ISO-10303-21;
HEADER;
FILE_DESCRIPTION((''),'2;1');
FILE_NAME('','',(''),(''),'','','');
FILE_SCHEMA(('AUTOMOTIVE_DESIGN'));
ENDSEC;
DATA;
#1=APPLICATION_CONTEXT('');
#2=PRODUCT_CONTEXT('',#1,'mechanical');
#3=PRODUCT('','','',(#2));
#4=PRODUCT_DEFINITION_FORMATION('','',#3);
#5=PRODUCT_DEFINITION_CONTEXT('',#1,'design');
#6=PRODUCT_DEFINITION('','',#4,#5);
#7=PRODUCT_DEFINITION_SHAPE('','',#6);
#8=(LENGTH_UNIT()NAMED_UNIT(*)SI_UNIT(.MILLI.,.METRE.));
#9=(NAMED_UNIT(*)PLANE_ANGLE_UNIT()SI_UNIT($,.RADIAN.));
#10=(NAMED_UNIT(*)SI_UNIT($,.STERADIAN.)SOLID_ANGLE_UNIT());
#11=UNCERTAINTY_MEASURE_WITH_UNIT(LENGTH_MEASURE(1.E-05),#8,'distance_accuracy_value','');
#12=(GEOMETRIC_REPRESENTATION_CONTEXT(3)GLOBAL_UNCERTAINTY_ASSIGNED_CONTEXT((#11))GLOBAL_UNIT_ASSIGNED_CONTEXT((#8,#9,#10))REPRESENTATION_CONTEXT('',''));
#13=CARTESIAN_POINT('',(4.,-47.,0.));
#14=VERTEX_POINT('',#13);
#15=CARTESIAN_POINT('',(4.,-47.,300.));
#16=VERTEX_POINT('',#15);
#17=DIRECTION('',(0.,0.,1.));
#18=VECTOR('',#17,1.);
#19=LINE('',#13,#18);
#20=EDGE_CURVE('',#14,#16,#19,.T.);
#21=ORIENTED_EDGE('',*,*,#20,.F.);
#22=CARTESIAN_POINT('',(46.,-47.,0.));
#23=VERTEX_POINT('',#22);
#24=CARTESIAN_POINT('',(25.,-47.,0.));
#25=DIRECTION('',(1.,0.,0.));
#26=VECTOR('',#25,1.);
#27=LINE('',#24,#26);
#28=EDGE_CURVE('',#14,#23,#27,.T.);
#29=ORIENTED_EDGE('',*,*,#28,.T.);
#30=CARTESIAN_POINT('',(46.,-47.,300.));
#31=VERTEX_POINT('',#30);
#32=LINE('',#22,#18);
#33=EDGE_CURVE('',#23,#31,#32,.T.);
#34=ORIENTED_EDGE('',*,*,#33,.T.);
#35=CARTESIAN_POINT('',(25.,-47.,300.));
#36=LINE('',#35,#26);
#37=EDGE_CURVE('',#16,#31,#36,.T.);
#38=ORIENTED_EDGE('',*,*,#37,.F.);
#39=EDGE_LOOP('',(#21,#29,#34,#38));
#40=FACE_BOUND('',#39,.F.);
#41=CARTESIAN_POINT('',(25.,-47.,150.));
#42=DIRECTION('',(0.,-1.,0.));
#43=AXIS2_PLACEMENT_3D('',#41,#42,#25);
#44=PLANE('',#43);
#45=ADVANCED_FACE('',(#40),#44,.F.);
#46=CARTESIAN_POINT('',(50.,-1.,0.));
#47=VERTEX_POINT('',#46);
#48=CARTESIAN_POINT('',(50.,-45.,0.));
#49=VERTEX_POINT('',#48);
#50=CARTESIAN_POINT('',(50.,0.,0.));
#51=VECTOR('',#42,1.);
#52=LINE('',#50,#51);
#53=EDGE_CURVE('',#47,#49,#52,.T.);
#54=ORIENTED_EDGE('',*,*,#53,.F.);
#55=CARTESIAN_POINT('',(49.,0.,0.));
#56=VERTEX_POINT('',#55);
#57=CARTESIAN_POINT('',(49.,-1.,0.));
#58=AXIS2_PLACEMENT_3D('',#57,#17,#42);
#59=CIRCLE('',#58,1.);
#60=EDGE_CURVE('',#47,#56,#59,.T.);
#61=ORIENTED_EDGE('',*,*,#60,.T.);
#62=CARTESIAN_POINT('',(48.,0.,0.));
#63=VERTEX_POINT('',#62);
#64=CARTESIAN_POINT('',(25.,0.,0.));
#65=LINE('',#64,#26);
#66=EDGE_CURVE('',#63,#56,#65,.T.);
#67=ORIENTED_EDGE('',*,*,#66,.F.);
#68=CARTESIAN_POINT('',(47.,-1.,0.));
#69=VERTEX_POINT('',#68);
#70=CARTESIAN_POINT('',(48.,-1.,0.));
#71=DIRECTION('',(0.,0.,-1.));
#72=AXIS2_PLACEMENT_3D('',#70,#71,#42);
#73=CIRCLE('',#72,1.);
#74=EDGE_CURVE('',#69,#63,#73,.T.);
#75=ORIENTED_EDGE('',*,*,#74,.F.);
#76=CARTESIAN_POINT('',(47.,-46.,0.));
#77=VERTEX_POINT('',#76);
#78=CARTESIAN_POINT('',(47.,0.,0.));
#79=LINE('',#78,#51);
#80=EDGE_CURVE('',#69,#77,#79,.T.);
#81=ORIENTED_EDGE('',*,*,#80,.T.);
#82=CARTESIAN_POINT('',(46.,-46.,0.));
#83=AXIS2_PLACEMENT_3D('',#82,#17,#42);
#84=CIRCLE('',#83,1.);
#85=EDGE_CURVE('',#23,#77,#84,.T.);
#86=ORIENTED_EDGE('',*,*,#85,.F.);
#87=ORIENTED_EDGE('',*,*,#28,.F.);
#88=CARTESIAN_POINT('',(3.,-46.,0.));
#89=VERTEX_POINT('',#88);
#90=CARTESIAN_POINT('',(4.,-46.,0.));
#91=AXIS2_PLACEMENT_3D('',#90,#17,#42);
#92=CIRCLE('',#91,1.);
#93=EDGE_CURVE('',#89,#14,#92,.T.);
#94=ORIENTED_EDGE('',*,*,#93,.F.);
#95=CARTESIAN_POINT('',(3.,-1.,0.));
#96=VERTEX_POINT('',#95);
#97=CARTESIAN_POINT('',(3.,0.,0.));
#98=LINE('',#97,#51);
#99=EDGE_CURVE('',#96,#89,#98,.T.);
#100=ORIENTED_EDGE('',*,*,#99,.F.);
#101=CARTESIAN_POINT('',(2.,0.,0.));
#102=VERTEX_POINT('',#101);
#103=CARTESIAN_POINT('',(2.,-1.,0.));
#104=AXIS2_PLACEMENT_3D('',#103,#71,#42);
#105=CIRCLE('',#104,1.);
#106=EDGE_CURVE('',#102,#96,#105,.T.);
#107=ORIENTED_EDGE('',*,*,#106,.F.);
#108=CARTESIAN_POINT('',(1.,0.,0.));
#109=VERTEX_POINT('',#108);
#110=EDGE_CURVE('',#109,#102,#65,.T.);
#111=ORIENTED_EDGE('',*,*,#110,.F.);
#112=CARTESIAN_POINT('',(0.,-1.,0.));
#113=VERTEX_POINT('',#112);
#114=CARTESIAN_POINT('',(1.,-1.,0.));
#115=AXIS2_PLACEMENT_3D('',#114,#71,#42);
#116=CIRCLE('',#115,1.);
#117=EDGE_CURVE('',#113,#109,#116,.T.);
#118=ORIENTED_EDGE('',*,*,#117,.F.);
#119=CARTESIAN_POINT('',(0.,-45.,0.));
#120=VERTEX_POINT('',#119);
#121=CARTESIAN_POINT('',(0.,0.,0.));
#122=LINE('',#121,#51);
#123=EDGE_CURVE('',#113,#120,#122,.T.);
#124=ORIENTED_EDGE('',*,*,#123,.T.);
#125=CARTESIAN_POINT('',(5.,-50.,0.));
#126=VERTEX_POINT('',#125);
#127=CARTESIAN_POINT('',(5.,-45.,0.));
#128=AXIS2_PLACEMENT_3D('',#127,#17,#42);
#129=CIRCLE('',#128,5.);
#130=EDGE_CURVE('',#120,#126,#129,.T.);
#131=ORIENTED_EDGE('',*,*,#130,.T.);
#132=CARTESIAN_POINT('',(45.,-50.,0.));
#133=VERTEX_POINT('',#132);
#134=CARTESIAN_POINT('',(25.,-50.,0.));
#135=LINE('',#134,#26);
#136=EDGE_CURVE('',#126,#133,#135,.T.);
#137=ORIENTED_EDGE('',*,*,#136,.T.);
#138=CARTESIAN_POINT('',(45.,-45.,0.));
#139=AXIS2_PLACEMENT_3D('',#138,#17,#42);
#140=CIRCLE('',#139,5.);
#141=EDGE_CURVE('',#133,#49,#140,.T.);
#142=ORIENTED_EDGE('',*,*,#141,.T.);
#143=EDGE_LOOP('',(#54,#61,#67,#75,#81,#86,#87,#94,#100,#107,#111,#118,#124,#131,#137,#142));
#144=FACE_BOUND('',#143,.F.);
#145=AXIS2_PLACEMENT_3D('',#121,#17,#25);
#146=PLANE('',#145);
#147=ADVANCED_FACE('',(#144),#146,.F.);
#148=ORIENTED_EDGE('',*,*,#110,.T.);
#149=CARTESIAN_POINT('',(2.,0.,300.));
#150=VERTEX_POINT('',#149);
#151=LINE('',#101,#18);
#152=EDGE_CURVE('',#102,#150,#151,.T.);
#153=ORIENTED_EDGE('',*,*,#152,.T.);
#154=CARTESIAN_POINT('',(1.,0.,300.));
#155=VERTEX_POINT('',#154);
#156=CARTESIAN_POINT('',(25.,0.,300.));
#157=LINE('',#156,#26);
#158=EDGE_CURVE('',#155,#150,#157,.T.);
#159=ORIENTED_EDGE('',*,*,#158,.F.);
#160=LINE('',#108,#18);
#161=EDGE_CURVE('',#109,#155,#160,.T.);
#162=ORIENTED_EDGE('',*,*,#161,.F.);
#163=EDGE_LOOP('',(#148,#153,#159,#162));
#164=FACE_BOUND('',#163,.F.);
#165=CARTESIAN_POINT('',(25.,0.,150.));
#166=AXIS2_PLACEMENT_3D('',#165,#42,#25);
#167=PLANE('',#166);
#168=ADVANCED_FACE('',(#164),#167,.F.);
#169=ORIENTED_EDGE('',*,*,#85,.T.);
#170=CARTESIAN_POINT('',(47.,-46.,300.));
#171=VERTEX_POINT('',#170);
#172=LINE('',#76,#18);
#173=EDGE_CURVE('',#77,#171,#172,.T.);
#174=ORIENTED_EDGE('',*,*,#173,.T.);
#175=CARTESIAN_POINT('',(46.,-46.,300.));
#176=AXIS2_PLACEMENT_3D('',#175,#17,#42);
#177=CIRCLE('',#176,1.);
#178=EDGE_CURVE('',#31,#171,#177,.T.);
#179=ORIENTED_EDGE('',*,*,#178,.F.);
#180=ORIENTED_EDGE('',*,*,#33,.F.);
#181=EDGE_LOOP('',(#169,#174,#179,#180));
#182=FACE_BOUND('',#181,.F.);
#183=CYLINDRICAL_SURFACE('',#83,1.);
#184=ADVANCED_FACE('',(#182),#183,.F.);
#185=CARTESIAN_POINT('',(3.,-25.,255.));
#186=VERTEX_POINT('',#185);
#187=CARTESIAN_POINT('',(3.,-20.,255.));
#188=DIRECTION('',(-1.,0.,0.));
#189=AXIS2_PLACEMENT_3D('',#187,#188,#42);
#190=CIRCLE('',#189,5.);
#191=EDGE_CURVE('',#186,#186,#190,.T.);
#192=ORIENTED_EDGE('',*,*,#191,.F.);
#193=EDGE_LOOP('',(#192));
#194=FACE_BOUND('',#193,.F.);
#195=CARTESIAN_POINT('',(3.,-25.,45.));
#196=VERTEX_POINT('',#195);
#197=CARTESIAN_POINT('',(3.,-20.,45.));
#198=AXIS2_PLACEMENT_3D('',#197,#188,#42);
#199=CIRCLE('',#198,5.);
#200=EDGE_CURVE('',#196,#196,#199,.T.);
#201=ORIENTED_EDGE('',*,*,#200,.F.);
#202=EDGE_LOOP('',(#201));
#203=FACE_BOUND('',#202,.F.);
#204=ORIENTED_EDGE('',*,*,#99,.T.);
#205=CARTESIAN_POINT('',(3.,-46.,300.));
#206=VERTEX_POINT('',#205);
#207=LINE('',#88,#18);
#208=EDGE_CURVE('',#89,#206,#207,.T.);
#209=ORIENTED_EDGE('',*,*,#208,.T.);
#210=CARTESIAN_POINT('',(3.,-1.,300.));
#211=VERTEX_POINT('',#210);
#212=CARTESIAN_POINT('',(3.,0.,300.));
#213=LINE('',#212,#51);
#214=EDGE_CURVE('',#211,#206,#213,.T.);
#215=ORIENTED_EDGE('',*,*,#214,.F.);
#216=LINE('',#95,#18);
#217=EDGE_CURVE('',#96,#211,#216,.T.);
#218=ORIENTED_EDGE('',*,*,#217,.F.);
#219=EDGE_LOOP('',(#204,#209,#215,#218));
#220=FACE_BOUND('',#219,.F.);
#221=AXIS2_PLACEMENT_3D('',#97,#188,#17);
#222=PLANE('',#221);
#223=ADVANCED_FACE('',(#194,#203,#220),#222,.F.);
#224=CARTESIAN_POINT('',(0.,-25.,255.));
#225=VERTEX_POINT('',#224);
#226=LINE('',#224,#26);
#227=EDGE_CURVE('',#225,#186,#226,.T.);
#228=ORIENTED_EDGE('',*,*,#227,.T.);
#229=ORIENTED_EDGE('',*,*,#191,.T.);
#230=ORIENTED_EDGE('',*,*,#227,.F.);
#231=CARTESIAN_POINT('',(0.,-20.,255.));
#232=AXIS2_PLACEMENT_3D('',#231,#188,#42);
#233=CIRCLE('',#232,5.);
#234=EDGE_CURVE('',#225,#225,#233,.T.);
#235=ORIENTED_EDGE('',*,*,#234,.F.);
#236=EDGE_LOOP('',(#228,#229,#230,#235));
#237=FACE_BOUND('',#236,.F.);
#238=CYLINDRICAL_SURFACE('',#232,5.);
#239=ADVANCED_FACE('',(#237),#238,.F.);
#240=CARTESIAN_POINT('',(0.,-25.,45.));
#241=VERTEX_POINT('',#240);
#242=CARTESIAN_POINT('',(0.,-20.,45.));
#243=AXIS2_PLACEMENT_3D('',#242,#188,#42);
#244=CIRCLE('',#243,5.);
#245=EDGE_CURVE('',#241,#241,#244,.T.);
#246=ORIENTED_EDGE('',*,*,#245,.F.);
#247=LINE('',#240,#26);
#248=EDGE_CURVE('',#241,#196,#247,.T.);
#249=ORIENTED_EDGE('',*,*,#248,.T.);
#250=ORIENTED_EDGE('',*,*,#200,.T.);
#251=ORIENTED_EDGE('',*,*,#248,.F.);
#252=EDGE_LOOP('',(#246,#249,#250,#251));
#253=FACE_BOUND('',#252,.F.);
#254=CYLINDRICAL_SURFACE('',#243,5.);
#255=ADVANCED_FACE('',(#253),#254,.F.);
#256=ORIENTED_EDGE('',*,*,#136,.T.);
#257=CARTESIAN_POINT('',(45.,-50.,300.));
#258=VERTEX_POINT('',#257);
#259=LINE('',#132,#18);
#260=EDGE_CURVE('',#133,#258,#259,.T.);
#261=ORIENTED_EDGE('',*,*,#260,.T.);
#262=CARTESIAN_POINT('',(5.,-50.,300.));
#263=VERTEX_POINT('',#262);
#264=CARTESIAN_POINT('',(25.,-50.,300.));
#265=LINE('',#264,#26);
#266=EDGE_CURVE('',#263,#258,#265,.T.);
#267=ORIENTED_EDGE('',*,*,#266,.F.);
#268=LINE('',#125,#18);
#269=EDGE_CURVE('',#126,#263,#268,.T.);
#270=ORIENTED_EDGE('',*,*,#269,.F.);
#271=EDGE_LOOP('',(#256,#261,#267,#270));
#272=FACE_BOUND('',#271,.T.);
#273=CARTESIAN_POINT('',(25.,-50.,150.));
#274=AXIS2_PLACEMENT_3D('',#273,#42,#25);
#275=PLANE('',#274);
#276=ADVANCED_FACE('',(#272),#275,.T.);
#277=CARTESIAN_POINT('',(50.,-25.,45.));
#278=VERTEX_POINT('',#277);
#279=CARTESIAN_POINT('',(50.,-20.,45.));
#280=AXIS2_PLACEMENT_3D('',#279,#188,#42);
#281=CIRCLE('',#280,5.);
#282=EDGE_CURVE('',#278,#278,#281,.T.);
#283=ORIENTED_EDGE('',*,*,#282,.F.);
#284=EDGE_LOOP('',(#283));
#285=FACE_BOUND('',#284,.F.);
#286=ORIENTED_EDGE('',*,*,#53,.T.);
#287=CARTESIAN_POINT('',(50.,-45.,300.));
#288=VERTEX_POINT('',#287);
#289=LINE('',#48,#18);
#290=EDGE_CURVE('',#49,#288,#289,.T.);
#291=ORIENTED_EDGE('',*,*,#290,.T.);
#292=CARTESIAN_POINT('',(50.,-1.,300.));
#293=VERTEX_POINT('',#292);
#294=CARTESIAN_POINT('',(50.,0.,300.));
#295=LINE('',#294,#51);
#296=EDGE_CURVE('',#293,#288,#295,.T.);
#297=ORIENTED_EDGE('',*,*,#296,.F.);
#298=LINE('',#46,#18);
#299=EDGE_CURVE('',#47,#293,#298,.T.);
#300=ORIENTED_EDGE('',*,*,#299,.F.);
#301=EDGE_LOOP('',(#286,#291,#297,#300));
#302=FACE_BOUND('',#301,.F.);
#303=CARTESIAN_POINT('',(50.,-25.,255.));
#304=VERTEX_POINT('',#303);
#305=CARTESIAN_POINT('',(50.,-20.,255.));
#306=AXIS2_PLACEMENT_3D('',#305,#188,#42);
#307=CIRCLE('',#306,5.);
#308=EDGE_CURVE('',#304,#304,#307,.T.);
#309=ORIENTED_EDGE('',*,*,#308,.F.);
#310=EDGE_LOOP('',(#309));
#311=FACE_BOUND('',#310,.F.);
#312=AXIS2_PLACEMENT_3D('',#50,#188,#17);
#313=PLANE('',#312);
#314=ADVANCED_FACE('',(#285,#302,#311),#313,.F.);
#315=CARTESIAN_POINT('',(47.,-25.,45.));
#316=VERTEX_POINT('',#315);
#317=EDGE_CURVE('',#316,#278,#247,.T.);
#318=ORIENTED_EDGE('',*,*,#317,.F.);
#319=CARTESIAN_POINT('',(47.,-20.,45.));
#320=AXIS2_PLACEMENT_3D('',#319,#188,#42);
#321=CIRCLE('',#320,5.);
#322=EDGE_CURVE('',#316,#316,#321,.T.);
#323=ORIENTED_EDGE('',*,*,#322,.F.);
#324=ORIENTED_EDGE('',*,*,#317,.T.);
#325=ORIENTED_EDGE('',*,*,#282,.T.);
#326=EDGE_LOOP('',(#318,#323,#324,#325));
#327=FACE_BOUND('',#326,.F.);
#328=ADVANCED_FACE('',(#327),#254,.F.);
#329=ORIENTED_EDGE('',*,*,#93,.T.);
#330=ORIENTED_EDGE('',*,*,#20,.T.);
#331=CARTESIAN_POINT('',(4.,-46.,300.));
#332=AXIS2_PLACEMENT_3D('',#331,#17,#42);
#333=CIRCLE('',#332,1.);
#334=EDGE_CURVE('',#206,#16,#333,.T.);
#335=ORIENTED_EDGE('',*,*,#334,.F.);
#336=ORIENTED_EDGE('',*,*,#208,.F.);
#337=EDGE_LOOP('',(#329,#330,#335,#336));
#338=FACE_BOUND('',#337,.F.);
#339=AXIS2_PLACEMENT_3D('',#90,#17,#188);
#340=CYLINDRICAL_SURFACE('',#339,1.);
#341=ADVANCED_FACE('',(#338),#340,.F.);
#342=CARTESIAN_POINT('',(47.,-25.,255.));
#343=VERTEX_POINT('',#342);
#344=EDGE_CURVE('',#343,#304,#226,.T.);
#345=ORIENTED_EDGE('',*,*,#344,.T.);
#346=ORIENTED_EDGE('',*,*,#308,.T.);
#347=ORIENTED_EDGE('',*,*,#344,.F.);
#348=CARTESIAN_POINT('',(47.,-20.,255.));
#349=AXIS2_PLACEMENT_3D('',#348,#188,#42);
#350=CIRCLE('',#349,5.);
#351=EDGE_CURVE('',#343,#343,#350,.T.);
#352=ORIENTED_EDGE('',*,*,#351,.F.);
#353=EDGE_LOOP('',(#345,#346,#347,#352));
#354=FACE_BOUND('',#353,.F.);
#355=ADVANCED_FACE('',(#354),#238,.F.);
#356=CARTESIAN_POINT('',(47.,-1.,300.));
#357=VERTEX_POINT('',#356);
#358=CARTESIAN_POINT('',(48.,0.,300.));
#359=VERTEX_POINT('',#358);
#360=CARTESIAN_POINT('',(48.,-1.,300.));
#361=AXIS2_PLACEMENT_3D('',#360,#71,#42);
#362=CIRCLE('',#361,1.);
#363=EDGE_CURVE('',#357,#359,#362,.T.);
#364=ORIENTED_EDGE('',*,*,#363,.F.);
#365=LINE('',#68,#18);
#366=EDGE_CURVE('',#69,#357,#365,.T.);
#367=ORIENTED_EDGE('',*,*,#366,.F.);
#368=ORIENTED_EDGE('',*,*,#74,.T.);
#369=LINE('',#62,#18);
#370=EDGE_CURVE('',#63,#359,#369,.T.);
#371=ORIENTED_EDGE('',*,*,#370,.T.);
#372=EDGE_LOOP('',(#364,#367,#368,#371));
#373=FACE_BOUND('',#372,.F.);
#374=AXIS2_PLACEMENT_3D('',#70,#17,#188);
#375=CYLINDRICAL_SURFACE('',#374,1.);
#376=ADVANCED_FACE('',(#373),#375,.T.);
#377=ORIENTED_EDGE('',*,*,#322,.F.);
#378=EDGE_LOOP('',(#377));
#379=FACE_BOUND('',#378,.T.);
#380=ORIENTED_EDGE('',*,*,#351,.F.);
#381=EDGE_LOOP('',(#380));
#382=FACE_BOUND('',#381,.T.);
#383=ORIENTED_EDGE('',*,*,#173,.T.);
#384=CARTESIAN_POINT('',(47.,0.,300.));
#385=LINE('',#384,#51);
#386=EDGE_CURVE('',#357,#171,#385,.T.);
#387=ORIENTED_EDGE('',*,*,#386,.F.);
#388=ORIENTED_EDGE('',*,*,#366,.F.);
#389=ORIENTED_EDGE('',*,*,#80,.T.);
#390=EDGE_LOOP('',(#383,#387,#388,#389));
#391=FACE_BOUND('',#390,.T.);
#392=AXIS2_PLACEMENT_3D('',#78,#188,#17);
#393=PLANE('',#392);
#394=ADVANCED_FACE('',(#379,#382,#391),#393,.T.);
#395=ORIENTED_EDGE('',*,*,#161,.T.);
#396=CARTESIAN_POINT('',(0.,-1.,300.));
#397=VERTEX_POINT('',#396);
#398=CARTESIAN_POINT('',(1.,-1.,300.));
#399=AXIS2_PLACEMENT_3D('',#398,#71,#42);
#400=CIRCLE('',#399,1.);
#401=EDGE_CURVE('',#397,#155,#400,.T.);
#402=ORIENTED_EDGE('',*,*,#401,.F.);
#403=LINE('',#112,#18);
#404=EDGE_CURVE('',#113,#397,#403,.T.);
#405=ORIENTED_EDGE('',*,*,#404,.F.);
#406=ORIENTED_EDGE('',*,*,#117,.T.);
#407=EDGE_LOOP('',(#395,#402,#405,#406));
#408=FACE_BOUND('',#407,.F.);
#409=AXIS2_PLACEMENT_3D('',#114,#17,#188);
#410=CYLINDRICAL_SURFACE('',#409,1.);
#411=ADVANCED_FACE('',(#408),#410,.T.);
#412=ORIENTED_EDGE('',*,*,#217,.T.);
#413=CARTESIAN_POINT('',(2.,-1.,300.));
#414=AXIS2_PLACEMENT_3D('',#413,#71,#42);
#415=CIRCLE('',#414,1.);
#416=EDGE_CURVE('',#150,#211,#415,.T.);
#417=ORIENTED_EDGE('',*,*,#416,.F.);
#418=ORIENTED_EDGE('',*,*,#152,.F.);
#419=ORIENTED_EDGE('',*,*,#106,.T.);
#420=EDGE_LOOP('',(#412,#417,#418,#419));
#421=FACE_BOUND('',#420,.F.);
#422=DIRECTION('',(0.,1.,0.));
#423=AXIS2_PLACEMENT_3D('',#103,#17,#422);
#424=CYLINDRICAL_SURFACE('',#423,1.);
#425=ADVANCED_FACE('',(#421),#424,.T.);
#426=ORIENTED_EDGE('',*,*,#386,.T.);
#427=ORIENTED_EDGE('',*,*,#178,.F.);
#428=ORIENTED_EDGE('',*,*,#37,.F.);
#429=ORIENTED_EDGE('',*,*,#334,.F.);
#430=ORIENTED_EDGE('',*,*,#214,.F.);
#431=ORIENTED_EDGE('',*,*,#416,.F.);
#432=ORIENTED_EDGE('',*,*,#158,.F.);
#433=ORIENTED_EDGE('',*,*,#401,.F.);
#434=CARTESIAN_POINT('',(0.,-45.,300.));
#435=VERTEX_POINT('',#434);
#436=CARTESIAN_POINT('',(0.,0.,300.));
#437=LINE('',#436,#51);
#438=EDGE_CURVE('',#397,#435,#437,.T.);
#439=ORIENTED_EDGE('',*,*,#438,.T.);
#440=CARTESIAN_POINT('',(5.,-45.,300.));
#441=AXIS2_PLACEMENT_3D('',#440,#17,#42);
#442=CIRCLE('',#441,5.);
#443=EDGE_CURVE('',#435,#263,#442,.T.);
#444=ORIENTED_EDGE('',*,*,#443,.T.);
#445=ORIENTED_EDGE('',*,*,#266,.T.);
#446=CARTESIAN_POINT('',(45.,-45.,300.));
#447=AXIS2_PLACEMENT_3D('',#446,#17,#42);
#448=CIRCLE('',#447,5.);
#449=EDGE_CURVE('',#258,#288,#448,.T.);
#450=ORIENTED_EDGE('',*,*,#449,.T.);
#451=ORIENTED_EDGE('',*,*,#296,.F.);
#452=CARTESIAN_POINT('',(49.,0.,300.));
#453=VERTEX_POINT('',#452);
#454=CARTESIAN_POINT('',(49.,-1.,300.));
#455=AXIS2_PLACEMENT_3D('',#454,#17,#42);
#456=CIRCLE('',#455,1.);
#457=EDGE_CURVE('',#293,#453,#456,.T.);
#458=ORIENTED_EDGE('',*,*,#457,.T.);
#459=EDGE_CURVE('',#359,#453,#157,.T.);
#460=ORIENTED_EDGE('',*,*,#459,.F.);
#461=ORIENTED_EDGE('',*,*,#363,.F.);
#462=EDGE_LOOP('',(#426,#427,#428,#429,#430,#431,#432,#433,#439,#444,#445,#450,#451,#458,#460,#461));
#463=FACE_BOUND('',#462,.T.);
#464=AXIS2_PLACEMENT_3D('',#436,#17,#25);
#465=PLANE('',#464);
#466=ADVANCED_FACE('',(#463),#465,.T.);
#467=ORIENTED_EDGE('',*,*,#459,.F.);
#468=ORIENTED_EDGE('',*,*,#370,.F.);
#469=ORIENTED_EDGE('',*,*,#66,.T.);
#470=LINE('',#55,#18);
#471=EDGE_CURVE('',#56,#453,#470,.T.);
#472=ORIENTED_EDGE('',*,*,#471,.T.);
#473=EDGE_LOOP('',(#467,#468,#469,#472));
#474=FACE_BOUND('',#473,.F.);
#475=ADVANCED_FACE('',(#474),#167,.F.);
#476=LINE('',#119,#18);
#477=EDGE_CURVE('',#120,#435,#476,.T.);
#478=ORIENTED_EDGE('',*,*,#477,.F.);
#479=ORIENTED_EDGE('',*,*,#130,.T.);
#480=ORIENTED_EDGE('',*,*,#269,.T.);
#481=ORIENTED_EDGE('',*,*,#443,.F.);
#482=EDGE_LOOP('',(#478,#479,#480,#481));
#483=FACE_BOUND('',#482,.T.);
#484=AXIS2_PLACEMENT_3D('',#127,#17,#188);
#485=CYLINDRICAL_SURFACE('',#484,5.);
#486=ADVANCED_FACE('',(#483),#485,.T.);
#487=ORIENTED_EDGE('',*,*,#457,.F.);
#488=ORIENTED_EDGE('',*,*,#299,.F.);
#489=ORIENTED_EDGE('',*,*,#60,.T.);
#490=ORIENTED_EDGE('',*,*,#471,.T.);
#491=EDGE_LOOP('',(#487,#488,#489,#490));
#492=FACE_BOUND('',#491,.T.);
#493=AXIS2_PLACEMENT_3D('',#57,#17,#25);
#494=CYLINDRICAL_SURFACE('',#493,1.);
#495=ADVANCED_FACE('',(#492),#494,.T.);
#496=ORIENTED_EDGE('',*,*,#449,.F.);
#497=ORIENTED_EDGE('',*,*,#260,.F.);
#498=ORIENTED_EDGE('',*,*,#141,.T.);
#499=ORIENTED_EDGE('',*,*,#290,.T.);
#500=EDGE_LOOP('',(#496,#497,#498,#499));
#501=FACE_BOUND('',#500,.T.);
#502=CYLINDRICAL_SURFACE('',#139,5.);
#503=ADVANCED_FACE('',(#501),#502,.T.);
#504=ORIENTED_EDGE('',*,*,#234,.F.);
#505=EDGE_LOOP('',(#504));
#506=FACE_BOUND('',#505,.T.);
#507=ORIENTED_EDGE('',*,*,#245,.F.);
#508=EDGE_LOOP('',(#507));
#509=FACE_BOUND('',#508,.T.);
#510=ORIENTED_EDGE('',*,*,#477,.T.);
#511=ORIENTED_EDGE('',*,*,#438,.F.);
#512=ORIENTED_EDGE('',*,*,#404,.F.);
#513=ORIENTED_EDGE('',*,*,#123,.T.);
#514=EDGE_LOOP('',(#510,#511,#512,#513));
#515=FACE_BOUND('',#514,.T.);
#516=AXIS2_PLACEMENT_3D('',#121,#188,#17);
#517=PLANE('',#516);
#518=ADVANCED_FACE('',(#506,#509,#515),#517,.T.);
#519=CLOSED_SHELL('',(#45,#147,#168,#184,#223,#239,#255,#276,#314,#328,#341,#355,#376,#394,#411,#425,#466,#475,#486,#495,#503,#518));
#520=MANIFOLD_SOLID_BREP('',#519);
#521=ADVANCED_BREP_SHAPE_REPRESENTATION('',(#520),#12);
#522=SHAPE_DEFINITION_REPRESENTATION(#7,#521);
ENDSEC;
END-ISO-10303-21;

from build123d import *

# Parameters (mm, degrees)
F0_W     = 50
F0_H     = 300
F1_DEPTH = 50
F2_T     = -3
F3_R     = 5
F4_R     = 1
F5_R     = 5
F6_DEPTH = 50.001


with BuildPart() as f1:
    # F0 (on Front) → F1 (new body)
    with BuildSketch(Plane.XZ):
        with Locations((25, 150)):
            Rectangle(F0_W, F0_H)
    extrude(amount=F1_DEPTH)

    # F2
    f2_openings = [f1.faces().sort_by_distance(p)[0] for p in [
        (25, -25, 0),
        (25, 0, 150),
        (25, -25, 300),
    ]]
    offset(amount=F2_T, openings=f2_openings)

    # F3
    f3_edges = [f1.edges().sort_by_distance(p)[0] for p in [
        (50, -50, 150),
        (0, -50, 150),
    ]]
    fillet(f3_edges, radius=F3_R)

    # F4
    f4_edges = [f1.edges().sort_by_distance(p)[0] for p in [
        (47, 0, 150),
        (50, 0, 150),
        (3, 0, 150),
        (0, 0, 150),
        (3, -47, 150),
        (47, -47, 150),
    ]]
    fillet(f4_edges, radius=F4_R)

    # F5 (on face) → F6 (cut, through all)
    with BuildSketch(Plane(origin=(0, 0, 0), x_dir=(0, -1, 0), z_dir=(-1, 0, 0))):
        with Locations((20, 255)):
            Circle(F5_R)
        with Locations((20, 45)):
            Circle(F5_R)
    extrude(amount=-F6_DEPTH, mode=Mode.SUBTRACT)


solid = f1.part
